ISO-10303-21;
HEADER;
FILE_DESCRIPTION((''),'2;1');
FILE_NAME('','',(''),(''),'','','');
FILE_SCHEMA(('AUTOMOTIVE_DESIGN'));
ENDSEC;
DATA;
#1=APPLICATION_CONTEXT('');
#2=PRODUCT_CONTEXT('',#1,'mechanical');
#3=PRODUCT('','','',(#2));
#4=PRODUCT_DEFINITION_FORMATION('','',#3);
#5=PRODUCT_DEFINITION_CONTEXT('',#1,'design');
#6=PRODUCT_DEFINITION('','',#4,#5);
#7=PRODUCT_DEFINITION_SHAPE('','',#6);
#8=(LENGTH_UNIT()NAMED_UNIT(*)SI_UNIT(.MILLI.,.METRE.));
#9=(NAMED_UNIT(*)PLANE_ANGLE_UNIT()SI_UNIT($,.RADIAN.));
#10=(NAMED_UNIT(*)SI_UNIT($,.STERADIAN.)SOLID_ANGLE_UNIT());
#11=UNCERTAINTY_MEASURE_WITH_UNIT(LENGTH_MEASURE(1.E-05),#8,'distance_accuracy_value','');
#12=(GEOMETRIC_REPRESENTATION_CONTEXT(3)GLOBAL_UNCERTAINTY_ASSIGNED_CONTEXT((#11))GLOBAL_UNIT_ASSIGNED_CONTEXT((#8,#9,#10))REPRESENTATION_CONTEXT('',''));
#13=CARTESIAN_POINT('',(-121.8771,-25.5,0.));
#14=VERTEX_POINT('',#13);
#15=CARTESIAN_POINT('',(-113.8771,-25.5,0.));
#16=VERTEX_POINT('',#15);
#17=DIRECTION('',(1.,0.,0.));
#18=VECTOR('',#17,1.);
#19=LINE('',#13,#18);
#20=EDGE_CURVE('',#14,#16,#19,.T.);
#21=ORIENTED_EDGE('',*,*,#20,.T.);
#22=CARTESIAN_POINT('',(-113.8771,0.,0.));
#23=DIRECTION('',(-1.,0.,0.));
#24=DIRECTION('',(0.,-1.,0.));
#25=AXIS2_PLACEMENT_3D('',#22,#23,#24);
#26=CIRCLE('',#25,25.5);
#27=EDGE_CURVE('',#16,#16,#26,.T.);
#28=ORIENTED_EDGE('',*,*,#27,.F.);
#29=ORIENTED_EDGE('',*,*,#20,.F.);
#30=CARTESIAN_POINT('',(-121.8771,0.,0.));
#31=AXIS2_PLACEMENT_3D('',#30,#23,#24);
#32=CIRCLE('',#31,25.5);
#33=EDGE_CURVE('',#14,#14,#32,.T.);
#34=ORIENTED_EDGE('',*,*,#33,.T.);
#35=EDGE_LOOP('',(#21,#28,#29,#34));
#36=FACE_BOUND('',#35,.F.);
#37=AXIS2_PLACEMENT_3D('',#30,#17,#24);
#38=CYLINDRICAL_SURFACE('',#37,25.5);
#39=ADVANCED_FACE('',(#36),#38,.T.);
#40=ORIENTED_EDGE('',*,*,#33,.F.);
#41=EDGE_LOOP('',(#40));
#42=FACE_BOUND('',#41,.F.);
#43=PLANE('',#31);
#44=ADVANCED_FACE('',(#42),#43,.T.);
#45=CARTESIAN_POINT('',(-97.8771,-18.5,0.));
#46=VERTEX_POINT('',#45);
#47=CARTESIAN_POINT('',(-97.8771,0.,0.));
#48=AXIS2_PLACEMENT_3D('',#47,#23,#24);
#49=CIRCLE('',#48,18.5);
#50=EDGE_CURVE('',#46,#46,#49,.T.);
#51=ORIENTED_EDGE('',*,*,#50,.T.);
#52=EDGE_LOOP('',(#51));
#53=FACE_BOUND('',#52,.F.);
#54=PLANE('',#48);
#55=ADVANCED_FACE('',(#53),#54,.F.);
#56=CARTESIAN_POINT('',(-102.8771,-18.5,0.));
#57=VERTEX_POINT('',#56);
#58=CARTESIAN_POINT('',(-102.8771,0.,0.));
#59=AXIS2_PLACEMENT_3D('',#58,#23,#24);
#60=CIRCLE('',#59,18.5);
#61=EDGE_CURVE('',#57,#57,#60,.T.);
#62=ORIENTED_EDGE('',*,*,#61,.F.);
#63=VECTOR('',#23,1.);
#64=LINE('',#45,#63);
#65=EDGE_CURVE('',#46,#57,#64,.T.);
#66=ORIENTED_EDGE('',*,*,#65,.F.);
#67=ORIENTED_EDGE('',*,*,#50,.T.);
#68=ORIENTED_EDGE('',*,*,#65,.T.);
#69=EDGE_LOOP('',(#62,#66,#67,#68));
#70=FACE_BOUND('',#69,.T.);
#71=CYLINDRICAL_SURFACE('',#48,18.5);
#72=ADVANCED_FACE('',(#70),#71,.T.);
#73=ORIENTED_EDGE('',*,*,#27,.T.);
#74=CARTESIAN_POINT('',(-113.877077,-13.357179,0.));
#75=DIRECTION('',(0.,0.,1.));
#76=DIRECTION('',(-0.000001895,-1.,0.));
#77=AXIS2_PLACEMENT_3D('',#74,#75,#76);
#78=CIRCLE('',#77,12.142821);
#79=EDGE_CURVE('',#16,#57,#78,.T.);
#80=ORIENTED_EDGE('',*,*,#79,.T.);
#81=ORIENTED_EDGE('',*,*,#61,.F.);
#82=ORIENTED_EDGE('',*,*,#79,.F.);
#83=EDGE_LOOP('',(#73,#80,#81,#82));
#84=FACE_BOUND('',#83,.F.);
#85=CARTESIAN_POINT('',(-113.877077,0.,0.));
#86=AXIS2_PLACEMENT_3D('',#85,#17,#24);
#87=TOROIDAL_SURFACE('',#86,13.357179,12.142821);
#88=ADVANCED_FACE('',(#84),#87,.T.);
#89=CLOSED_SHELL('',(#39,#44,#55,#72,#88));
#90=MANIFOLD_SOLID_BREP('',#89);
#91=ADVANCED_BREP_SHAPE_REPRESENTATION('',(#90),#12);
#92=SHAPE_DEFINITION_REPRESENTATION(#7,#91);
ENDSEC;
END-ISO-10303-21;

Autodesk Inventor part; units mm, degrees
ref_plane "YZ Plane" through (0, 0, 0) normal (1, 0, 0) x (0, 1, 0)
ref_plane "XZ Plane" through (0, 0, 0) normal (0, 1, 0) x (-1, 0, 0)
ref_plane "XY Plane" through (0, 0, 0) normal (0, 0, 1) x (1, 0, 0)
sketch "Sketch1" plane through (0, 0, 0) normal (0, 0, 1) x (1, 0, 0)
  arc A0 (-73.0041, 39.7342) -> (-88.7899, 41.7717) centre (-81.1499, 38.7933) ccw projected
  line L0 (-92.3771, 6.5) -> (-92.3771, -6.5) projected
  line L1 (-92.3771, 0) -> (-118.3771, 0)
  line L2 (-97.8771, -18.5) -> (-97.8771, 18.5) projected
  line L3 (-97.8771, 0) -> (-121.8771, 0)
  line L4 (-121.8771, 0) -> (-121.8771, -25.5)
  line L5 (-97.8771, 0) -> (-97.8771, -18.5)
  line L6 (-97.8771, -18.5) -> (-102.8771, -18.5)
  line L7 (-121.8771, -25.5) -> (-113.8771, -25.5)
  arc A1 (-113.8771, -25.5) -> (-102.8771, -18.5) centre (-113.8771, -13.3571) ccw
  line L8 (-97.8771, -18.5) -> (-97.8771, 0)
  point P0 (0, 0)
  point P1 (-97.8771, 0)
  dimension "d1" = 24
  dimension "d2" = 25.5
  dimension "d3" = 5
  dimension "d4" = 8
revolve "Revolution1" add sketch "Sketch1" angle 360 about axis through (-92.3771, 0, 0) along (-1, 0, 0)
properties part number "TheLens"
